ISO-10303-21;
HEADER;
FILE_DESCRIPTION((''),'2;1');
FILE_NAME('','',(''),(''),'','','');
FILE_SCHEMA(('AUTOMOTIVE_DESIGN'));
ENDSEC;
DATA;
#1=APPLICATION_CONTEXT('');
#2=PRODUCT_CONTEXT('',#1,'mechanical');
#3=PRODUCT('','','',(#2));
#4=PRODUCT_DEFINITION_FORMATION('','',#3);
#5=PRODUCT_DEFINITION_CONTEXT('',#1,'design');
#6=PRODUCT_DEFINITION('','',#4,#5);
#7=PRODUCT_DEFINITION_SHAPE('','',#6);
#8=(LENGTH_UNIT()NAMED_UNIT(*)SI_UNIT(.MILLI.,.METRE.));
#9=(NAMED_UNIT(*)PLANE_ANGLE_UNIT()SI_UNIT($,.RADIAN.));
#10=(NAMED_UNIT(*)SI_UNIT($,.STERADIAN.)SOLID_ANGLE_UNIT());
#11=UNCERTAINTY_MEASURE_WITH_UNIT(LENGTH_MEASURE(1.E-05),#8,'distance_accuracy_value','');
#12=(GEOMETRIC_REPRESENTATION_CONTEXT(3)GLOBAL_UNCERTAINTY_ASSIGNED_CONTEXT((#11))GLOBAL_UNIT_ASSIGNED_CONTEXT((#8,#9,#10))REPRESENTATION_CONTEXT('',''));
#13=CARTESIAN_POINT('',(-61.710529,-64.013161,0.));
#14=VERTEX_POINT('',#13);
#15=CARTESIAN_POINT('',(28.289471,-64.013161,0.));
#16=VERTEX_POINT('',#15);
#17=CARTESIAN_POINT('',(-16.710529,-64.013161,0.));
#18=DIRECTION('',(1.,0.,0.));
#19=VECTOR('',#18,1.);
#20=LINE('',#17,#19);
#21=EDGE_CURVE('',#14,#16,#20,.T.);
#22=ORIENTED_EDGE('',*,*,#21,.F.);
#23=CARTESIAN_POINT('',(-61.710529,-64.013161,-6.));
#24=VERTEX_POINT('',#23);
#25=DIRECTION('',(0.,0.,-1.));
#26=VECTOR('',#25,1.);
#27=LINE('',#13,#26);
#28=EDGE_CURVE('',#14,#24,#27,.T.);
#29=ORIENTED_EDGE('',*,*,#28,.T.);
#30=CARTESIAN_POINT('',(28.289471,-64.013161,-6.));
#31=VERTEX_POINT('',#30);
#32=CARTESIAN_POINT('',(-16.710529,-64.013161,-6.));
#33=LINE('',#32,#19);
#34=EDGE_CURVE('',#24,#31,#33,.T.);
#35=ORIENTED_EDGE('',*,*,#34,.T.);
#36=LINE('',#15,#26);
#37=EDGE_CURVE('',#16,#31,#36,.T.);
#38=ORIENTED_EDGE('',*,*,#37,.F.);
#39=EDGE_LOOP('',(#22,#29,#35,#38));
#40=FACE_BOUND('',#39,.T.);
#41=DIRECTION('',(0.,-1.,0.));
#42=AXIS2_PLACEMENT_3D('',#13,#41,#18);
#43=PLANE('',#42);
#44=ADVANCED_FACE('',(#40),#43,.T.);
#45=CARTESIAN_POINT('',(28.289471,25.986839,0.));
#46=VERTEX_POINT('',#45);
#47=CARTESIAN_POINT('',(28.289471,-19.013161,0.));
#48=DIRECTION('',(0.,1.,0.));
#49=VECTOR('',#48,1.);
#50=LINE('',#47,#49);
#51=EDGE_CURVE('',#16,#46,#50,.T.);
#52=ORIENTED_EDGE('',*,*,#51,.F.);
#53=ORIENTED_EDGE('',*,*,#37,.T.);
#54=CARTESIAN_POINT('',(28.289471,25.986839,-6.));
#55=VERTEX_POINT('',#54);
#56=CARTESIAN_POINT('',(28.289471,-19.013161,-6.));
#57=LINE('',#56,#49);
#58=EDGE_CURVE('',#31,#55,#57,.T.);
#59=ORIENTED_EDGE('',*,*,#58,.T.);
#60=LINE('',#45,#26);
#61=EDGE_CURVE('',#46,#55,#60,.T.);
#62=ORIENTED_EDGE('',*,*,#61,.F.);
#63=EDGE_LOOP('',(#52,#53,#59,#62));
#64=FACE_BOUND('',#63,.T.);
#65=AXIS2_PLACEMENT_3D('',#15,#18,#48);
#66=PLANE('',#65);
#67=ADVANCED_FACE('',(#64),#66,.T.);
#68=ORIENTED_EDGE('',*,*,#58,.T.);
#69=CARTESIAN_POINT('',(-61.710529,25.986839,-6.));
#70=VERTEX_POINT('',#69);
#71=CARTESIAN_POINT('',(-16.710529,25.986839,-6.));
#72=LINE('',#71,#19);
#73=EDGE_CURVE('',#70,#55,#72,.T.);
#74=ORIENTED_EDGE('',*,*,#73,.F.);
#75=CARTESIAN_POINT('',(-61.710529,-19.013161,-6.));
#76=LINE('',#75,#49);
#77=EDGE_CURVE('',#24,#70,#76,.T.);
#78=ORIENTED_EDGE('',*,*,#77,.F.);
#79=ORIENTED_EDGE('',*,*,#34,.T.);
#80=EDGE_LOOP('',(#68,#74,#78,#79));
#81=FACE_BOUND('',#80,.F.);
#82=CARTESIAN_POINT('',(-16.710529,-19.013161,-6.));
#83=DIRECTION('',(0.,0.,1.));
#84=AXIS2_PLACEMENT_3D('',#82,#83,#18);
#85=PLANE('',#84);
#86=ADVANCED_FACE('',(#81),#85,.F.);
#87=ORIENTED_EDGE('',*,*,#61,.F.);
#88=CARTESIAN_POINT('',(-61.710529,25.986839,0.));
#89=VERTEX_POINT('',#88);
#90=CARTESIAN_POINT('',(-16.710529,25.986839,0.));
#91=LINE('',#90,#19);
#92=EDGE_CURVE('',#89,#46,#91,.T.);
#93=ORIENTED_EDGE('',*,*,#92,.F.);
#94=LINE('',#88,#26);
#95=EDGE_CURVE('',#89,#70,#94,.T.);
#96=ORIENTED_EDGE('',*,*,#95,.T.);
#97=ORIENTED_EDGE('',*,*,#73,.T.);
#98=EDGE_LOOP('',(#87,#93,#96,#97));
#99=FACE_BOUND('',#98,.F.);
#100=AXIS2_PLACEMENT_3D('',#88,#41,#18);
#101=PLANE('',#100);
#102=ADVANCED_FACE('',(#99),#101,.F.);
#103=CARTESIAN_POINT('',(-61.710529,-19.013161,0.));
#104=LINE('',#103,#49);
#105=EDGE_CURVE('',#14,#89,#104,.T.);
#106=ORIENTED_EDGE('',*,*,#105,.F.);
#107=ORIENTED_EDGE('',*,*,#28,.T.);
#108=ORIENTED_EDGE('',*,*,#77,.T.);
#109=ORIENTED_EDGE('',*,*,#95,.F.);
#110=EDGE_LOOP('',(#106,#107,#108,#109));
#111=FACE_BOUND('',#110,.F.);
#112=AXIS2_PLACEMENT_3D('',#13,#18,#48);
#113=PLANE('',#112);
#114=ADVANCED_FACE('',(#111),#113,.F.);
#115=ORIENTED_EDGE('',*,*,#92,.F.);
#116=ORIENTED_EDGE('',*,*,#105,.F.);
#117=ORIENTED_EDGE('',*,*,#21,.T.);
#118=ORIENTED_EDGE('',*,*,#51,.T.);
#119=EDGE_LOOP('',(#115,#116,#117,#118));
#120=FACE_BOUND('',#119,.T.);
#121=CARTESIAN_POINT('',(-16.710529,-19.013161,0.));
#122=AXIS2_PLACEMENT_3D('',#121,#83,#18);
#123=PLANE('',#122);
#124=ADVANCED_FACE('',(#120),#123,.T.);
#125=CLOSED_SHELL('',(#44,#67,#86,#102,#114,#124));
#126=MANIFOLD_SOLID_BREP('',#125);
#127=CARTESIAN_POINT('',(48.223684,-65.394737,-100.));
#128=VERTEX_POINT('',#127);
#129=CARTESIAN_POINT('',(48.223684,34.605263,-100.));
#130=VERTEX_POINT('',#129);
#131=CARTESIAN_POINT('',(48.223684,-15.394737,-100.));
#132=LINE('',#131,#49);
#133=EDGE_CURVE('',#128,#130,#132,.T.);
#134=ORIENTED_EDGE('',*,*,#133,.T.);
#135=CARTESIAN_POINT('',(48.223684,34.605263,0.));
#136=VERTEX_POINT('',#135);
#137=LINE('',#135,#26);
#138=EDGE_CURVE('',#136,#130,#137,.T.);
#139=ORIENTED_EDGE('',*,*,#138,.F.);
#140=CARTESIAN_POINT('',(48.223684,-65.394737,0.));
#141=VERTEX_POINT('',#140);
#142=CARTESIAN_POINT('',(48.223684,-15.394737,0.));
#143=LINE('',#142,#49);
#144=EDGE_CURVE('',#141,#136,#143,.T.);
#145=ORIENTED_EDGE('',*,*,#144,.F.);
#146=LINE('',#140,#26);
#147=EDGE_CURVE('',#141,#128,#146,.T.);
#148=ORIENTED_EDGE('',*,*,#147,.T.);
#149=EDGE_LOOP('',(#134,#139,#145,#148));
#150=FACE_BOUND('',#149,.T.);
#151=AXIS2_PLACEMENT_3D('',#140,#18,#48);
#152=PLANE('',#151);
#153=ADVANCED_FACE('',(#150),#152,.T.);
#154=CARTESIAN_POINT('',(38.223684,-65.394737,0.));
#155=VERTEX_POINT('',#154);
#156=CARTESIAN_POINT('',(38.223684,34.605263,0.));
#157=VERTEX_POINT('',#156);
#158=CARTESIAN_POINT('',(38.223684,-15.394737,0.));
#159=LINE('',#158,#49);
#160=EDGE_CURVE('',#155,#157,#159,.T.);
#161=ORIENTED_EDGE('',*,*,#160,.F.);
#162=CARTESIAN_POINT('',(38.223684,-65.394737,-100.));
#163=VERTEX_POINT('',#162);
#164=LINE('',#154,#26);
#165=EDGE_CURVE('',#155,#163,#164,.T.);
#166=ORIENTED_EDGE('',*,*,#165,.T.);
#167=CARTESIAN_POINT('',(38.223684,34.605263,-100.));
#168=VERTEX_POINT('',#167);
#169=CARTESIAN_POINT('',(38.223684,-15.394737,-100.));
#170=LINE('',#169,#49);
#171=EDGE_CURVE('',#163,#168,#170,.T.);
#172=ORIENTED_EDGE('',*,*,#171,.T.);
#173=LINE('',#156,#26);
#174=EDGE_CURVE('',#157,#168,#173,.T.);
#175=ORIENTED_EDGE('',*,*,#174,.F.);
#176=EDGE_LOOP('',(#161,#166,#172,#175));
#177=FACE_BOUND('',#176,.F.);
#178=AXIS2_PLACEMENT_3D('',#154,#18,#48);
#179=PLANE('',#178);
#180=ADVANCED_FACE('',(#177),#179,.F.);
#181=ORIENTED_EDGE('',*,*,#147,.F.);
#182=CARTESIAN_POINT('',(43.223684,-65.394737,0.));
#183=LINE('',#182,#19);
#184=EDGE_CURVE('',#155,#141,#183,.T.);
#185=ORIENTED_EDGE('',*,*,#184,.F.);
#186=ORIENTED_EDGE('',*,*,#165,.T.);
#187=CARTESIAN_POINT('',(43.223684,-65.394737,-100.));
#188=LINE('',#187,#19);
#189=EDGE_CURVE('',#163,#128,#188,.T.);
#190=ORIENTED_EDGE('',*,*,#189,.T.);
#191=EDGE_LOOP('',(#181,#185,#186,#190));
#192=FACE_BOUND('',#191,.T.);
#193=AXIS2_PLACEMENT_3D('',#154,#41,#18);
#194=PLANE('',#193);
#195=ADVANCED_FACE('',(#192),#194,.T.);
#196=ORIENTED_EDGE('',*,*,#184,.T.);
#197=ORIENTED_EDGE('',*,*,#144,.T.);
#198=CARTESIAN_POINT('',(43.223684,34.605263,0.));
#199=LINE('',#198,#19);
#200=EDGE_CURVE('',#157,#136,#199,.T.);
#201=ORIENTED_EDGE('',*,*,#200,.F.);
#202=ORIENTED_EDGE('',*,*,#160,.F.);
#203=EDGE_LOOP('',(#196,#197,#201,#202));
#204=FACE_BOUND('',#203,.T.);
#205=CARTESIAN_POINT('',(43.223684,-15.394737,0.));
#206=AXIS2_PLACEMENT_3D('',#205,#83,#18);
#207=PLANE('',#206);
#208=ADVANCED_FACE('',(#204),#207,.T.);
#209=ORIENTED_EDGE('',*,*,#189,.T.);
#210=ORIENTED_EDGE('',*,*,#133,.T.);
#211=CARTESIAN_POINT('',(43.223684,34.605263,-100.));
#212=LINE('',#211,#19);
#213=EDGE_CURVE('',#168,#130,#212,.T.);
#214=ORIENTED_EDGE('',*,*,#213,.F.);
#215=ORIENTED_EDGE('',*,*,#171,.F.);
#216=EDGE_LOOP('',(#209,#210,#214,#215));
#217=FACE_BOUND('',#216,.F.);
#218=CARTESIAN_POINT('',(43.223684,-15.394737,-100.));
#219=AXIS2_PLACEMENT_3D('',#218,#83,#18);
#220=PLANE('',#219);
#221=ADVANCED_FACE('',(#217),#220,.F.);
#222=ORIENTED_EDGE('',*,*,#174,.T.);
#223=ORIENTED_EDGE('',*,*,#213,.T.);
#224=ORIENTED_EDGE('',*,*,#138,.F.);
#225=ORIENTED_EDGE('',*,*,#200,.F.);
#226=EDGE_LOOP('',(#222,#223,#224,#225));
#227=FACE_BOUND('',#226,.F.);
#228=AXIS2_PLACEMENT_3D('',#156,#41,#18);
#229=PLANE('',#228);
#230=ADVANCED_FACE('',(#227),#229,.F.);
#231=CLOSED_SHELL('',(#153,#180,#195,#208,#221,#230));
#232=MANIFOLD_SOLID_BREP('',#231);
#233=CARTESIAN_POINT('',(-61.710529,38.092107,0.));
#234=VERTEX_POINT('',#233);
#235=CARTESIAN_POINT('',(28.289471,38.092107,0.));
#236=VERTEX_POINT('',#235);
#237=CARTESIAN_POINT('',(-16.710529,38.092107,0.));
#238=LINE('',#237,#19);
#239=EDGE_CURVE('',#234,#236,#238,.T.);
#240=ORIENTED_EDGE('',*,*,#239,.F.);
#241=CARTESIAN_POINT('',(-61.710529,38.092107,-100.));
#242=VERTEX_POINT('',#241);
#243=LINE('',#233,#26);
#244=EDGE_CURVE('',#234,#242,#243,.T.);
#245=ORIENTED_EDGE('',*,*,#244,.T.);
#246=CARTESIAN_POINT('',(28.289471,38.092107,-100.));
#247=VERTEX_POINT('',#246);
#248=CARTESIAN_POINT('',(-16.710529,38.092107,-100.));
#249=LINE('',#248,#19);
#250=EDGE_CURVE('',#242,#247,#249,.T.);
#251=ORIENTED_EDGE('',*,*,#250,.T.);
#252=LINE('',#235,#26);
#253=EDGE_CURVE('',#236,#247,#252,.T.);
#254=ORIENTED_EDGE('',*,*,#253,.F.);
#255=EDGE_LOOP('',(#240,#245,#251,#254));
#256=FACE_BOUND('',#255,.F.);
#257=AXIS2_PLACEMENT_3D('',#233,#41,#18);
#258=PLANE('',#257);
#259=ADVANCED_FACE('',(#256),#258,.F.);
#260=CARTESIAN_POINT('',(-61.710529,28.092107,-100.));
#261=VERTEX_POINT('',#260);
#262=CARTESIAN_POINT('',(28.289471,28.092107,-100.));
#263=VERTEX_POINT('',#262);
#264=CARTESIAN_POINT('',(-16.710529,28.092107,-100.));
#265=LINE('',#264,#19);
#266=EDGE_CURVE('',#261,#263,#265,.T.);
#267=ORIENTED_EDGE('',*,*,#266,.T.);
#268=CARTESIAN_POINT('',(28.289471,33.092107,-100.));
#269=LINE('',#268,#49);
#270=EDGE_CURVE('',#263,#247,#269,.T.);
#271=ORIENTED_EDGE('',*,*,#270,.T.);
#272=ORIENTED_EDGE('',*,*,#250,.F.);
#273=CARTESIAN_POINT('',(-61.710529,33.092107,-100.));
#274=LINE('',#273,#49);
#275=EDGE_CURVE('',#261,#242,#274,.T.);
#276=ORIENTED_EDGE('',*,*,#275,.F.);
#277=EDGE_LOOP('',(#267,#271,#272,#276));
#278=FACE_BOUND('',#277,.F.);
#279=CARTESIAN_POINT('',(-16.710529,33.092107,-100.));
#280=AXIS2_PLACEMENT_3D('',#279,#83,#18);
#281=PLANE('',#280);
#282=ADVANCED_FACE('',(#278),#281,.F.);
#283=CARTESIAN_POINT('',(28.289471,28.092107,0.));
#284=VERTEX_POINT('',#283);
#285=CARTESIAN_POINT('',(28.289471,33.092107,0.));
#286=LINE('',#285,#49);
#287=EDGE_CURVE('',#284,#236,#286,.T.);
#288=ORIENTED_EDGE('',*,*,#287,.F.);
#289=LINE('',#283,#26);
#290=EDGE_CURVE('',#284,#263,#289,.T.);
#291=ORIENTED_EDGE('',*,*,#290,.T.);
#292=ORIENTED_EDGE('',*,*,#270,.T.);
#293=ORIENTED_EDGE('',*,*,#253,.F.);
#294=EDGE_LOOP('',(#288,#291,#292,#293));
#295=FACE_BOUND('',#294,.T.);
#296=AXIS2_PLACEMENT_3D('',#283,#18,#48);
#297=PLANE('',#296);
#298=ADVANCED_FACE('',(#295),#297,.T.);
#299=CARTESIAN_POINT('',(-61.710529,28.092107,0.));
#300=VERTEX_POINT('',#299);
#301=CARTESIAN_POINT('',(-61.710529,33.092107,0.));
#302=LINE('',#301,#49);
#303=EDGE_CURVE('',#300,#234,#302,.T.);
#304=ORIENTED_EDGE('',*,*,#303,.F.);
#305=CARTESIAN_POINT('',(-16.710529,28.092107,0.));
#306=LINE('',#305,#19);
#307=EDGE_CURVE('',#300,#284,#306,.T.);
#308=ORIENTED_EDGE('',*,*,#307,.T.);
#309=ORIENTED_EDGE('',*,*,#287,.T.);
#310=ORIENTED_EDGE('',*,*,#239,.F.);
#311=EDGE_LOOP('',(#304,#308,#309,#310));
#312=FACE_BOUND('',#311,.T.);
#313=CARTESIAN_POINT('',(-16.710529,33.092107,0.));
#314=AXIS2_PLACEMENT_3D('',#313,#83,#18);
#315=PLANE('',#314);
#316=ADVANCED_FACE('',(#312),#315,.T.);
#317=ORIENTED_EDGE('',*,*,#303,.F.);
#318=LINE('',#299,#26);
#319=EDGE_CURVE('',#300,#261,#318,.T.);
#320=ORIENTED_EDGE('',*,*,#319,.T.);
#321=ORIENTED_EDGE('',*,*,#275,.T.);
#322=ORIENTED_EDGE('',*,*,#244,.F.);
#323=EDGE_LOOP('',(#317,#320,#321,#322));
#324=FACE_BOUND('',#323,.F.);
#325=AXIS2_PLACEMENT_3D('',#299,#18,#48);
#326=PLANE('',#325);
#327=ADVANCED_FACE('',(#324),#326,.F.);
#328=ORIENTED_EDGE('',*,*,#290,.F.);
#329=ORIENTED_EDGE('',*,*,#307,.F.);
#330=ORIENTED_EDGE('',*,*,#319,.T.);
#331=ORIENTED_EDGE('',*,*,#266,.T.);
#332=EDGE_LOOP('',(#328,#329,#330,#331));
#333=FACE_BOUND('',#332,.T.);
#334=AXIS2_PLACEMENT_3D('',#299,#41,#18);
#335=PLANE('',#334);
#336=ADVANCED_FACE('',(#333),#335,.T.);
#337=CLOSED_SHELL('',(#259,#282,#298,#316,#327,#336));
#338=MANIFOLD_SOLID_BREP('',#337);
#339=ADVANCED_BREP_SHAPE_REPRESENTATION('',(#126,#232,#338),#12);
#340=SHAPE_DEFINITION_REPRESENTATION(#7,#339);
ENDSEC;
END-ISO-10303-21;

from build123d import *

# Parameters (mm, degrees)
F0_W     = 90
F0_H     = 90
F1_DEPTH = 6
F2_W     = 10
F2_H     = 100
F3_DEPTH = 100
F4_W     = 90
F4_H     = 10
F5_DEPTH = 100


with BuildPart() as f1:
    # F0 (on Top) → F1 (new body)
    with BuildSketch(Plane.XY):
        with Locations((-16.710529, -19.013161)):
            Rectangle(F0_W, F0_H)
    extrude(amount=-F1_DEPTH)


with BuildPart() as f3:
    # F2 (on Top) → F3 (new body)
    with BuildSketch(Plane.XY):
        with Locations((43.223684, -15.394737)):
            Rectangle(F2_W, F2_H)
    extrude(amount=-F3_DEPTH)


with BuildPart() as f5:
    # F4 (on Top) → F5 (new body)
    with BuildSketch(Plane.XY):
        with Locations((-16.710529, 33.092107)):
            Rectangle(F4_W, F4_H)
    extrude(amount=-F5_DEPTH)


solid = Compound([f1.part, f3.part, f5.part])
